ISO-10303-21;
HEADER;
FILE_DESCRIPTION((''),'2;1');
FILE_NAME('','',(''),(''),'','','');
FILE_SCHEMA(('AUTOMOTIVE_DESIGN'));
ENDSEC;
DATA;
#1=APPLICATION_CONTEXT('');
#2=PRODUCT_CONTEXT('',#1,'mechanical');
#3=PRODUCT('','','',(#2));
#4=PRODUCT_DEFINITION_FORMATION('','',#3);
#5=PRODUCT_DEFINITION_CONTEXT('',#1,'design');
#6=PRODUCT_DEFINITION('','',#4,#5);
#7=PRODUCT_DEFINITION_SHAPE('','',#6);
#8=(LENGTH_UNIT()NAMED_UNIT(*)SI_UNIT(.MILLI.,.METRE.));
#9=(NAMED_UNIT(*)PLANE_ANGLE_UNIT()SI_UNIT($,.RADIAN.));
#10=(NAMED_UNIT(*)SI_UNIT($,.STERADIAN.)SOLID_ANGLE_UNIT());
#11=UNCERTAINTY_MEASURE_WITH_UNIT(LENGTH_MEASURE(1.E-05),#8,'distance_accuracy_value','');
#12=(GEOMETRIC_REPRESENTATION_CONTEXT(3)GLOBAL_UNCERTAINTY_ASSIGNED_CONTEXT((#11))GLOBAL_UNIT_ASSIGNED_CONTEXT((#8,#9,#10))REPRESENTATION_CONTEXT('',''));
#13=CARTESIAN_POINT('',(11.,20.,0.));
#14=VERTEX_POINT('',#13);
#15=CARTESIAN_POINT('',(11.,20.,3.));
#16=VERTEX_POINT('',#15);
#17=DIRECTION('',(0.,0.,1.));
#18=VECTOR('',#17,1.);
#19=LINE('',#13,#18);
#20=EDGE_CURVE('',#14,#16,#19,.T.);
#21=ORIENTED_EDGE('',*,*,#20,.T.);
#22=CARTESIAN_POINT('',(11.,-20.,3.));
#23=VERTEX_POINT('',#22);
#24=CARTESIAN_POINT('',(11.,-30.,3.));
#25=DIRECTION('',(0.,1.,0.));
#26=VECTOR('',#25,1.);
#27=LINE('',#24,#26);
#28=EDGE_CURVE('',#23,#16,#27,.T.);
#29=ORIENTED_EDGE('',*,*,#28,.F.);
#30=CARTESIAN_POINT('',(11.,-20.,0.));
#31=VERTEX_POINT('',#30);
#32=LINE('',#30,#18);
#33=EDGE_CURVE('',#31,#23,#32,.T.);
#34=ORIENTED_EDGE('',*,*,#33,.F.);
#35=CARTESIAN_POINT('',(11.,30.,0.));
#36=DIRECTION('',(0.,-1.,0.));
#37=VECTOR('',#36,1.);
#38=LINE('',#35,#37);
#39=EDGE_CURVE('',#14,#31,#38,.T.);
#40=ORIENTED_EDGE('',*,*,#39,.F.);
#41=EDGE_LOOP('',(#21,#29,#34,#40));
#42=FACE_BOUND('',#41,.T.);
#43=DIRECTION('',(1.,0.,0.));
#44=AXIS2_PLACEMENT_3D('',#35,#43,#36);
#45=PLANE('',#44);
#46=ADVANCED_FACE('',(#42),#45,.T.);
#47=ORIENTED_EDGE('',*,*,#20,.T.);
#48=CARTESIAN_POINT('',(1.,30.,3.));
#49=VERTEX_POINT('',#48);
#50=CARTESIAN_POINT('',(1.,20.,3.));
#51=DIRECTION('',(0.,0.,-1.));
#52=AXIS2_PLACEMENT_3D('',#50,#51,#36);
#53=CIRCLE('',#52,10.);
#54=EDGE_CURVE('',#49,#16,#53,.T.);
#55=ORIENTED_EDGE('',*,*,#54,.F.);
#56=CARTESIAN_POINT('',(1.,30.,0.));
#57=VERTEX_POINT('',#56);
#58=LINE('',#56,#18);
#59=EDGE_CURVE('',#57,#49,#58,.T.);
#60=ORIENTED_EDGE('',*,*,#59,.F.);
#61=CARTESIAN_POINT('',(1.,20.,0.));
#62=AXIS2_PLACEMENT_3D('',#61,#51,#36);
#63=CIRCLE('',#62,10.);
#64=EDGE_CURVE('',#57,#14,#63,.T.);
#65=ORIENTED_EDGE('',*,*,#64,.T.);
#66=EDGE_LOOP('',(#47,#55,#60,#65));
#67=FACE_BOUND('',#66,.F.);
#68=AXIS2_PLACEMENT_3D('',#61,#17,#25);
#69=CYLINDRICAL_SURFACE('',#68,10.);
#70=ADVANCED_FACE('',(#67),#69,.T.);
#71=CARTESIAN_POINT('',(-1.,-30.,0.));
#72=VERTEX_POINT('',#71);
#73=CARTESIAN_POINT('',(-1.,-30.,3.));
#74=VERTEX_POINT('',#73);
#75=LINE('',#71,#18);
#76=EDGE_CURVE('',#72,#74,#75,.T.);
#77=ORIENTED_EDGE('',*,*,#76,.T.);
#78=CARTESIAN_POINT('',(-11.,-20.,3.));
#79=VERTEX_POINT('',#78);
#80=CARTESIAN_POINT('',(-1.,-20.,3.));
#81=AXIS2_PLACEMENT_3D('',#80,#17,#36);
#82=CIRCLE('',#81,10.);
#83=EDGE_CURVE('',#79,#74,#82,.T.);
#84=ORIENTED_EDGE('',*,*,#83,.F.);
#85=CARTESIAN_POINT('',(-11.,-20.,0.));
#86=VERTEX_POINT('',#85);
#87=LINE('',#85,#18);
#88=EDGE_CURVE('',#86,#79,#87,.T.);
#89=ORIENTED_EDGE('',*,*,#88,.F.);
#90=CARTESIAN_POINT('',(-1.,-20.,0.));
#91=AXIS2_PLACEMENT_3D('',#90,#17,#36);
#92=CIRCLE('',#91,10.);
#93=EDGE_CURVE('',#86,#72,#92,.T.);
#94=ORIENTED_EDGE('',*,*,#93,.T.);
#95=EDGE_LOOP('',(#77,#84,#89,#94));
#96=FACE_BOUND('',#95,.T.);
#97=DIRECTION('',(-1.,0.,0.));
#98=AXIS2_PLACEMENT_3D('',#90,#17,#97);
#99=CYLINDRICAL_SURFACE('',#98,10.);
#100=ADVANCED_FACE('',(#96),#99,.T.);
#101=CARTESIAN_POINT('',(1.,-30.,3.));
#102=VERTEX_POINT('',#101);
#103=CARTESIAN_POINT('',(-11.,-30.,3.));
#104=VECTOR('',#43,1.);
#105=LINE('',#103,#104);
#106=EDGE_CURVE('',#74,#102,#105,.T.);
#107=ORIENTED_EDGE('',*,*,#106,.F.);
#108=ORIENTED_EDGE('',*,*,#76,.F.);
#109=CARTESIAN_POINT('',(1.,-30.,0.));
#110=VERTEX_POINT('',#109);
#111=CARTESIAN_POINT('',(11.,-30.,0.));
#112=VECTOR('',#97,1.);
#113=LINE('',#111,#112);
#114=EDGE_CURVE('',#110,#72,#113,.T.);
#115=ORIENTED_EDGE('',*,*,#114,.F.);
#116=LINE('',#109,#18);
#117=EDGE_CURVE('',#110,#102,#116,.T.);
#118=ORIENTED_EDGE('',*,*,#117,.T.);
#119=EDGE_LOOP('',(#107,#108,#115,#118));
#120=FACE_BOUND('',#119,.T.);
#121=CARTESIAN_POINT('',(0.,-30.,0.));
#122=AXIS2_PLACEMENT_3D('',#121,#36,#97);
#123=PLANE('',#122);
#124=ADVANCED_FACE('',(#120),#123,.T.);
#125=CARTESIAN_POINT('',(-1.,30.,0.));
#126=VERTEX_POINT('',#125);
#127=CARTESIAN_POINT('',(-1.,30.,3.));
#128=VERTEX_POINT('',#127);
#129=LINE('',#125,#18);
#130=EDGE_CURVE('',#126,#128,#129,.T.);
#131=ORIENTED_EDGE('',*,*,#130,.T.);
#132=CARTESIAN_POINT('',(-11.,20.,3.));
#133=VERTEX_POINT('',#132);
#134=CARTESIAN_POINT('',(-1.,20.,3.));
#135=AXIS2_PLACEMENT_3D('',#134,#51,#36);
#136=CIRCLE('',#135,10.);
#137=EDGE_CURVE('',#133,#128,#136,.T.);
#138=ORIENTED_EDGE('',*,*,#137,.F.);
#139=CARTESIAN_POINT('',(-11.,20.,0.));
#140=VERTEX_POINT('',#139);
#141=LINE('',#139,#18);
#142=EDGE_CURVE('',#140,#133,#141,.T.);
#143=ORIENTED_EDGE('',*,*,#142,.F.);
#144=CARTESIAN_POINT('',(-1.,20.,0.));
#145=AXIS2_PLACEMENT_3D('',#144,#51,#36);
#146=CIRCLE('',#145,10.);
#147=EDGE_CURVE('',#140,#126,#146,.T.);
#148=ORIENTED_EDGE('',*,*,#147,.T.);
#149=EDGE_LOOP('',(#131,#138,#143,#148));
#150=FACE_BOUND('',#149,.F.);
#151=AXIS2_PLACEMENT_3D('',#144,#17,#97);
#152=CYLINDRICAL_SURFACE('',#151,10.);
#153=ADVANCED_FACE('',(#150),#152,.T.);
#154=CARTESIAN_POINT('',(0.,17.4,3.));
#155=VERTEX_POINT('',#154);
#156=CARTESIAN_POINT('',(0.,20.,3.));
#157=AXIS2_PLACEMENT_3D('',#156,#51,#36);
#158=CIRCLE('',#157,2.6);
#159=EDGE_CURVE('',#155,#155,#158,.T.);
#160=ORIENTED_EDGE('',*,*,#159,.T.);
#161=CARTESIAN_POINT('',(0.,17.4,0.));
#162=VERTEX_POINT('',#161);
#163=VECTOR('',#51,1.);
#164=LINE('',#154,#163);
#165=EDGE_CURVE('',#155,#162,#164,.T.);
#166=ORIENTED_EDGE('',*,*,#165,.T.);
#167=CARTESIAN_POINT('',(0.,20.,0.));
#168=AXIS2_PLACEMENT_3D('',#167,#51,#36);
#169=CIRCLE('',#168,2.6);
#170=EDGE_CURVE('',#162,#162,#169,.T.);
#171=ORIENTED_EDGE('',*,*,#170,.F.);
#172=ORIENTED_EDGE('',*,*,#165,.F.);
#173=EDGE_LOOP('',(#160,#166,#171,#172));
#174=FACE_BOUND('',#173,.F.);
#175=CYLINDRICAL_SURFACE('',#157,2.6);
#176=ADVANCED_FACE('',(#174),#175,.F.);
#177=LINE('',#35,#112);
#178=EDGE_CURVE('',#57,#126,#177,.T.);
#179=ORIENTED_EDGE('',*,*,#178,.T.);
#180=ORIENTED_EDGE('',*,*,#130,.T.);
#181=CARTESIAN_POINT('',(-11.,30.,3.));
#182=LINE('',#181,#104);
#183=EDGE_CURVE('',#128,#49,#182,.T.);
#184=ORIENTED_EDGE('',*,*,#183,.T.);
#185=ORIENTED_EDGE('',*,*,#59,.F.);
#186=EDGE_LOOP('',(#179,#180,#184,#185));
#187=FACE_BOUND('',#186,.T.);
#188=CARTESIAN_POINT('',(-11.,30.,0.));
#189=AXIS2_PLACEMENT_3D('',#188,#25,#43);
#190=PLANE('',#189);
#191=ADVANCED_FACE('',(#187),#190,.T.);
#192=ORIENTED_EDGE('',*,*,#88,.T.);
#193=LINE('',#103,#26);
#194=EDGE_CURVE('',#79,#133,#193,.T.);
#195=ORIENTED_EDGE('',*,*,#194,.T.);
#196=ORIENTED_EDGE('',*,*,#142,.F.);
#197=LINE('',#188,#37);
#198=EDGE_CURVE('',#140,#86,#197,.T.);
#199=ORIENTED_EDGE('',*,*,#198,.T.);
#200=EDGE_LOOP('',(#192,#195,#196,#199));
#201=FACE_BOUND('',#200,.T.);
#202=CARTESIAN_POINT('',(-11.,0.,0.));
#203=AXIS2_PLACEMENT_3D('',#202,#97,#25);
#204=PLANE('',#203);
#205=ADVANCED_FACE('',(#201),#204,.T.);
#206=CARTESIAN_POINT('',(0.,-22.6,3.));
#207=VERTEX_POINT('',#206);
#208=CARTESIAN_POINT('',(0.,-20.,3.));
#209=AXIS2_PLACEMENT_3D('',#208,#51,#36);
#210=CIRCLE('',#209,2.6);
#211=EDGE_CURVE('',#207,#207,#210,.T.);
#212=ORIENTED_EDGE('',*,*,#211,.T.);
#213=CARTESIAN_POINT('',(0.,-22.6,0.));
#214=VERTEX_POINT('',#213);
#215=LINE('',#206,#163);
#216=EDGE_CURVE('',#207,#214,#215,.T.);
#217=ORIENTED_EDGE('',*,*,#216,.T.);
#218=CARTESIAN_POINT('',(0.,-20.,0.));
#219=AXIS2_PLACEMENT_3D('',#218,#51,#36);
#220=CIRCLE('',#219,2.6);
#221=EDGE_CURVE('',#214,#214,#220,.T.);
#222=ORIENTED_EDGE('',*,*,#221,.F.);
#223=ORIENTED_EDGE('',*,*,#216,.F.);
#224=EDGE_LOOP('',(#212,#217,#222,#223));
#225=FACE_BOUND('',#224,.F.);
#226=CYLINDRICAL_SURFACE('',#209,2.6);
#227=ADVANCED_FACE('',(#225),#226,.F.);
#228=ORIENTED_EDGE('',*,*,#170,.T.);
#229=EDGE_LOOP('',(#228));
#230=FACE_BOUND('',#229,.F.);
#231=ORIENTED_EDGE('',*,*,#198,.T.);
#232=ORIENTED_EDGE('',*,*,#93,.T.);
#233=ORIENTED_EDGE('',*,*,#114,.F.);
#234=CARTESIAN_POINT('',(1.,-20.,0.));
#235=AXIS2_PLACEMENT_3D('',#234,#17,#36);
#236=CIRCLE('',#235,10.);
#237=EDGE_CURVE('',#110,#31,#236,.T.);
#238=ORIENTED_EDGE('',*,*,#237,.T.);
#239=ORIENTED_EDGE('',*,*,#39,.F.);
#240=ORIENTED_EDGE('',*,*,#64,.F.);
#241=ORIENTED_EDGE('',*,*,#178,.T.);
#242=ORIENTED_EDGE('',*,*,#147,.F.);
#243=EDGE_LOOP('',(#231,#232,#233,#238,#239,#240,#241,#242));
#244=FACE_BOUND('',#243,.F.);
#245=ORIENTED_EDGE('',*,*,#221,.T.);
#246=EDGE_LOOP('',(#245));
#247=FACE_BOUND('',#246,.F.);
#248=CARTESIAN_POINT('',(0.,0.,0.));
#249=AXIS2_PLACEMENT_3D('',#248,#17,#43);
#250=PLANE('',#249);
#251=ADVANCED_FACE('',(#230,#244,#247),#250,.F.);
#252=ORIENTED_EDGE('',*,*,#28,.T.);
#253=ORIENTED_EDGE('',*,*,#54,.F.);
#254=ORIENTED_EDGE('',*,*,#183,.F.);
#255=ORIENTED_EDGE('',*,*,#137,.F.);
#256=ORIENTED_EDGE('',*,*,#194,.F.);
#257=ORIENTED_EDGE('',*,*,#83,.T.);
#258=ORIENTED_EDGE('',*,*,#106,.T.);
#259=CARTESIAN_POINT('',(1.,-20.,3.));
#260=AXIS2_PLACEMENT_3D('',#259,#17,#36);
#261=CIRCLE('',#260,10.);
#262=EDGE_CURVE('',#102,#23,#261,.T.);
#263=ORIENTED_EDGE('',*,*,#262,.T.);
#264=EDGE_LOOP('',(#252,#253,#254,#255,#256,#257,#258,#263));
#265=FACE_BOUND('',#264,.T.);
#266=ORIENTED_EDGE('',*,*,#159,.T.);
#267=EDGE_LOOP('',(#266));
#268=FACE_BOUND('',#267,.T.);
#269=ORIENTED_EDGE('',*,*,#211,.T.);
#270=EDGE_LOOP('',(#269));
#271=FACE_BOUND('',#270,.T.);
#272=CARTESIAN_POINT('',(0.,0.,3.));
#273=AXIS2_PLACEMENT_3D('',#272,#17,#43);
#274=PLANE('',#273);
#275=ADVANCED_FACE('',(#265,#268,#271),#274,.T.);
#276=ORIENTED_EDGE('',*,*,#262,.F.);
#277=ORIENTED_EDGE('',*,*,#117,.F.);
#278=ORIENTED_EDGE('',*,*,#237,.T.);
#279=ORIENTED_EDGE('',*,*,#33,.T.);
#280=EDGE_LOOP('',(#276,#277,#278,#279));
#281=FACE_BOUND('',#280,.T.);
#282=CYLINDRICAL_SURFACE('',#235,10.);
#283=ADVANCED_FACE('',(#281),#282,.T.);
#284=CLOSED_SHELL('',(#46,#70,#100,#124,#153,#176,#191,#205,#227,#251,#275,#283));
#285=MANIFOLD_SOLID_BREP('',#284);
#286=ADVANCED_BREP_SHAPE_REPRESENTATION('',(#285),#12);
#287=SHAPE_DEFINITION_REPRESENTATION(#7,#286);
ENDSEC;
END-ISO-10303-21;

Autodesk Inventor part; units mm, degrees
ref_plane "YZ Plane" through (0, 0, 0) normal (1, 0, 0) x (0, 1, 0)
ref_plane "XZ Plane" through (0, 0, 0) normal (0, 1, 0) x (-1, 0, 0)
ref_plane "XY Plane" through (0, 0, 0) normal (0, 0, 1) x (1, 0, 0)
sketch "Skizze1" plane through (0, 0, 0) normal (0, 0, 1) x (1, 0, 0)
  line L0 (-15.4, 0) -> (15.4, 0) projected
  line L1 (0, -42) -> (0, 42) projected
  line L2 (11, -30) -> (-11, -30)
  line L3 (-11, -30) -> (-11, 30)
  line L4 (-11, 30) -> (11, 30)
  line L5 (11, 30) -> (11, -30)
  line L6 (11, -30) -> (-11, 30) construction
  line L7 (-11, -30) -> (11, 30) construction
  point P0 (0, 0)
  dimension "d0" = 60
  dimension "d1" = 22
extrude "Extrusion1" add sketch "Skizze1" along normal blind 3
sketch "Skizze2" plane through (0, 0, 3) normal (0, 0, 1) x (1, 0, 0)
  line L0 (11, 30) -> (-11, 30) projected
  line L1 (-11, 30) -> (-11, -30) projected
  line L2 (-11, -30) -> (11, -30) projected
  line L3 (11, -30) -> (11, 30) projected
  line L4 (-17.5, 0) -> (17.5, 0) projected
  line L5 (0, -42) -> (0, 42) projected
  line L6 (3.1579, -20) -> (-3.1579, -20)
  line L7 (-3.1579, -20) -> (-3.1579, 20)
  line L8 (-3.1579, 20) -> (3.1579, 20)
  line L9 (3.1579, 20) -> (3.1579, -20)
  line L10 (3.1579, -20) -> (-3.1579, 20) construction
  line L11 (-3.1579, -20) -> (3.1579, 20) construction
  point P0 (0, 0)
  point P1 (0, 20)
  point P2 (0, -20)
  dimension "d4" = 40
hole "Bohrung1" at (0, 20, 3) at (0, -20, 3) direction (0, 0, -1) diameter 5.2 end through all
fillet "Rundung1" radius 10 4 edges at (-11, 30, 1.5) (11, 30, 1.5) (11, -30, 1.5) (-11, -30, 1.5)
sketch "Skizze3" plane through (0, 0, 3) normal (0, 0, 1) x (1, 0, 0)
  point P0 (0, 0)
properties part number "24_0497_005"
